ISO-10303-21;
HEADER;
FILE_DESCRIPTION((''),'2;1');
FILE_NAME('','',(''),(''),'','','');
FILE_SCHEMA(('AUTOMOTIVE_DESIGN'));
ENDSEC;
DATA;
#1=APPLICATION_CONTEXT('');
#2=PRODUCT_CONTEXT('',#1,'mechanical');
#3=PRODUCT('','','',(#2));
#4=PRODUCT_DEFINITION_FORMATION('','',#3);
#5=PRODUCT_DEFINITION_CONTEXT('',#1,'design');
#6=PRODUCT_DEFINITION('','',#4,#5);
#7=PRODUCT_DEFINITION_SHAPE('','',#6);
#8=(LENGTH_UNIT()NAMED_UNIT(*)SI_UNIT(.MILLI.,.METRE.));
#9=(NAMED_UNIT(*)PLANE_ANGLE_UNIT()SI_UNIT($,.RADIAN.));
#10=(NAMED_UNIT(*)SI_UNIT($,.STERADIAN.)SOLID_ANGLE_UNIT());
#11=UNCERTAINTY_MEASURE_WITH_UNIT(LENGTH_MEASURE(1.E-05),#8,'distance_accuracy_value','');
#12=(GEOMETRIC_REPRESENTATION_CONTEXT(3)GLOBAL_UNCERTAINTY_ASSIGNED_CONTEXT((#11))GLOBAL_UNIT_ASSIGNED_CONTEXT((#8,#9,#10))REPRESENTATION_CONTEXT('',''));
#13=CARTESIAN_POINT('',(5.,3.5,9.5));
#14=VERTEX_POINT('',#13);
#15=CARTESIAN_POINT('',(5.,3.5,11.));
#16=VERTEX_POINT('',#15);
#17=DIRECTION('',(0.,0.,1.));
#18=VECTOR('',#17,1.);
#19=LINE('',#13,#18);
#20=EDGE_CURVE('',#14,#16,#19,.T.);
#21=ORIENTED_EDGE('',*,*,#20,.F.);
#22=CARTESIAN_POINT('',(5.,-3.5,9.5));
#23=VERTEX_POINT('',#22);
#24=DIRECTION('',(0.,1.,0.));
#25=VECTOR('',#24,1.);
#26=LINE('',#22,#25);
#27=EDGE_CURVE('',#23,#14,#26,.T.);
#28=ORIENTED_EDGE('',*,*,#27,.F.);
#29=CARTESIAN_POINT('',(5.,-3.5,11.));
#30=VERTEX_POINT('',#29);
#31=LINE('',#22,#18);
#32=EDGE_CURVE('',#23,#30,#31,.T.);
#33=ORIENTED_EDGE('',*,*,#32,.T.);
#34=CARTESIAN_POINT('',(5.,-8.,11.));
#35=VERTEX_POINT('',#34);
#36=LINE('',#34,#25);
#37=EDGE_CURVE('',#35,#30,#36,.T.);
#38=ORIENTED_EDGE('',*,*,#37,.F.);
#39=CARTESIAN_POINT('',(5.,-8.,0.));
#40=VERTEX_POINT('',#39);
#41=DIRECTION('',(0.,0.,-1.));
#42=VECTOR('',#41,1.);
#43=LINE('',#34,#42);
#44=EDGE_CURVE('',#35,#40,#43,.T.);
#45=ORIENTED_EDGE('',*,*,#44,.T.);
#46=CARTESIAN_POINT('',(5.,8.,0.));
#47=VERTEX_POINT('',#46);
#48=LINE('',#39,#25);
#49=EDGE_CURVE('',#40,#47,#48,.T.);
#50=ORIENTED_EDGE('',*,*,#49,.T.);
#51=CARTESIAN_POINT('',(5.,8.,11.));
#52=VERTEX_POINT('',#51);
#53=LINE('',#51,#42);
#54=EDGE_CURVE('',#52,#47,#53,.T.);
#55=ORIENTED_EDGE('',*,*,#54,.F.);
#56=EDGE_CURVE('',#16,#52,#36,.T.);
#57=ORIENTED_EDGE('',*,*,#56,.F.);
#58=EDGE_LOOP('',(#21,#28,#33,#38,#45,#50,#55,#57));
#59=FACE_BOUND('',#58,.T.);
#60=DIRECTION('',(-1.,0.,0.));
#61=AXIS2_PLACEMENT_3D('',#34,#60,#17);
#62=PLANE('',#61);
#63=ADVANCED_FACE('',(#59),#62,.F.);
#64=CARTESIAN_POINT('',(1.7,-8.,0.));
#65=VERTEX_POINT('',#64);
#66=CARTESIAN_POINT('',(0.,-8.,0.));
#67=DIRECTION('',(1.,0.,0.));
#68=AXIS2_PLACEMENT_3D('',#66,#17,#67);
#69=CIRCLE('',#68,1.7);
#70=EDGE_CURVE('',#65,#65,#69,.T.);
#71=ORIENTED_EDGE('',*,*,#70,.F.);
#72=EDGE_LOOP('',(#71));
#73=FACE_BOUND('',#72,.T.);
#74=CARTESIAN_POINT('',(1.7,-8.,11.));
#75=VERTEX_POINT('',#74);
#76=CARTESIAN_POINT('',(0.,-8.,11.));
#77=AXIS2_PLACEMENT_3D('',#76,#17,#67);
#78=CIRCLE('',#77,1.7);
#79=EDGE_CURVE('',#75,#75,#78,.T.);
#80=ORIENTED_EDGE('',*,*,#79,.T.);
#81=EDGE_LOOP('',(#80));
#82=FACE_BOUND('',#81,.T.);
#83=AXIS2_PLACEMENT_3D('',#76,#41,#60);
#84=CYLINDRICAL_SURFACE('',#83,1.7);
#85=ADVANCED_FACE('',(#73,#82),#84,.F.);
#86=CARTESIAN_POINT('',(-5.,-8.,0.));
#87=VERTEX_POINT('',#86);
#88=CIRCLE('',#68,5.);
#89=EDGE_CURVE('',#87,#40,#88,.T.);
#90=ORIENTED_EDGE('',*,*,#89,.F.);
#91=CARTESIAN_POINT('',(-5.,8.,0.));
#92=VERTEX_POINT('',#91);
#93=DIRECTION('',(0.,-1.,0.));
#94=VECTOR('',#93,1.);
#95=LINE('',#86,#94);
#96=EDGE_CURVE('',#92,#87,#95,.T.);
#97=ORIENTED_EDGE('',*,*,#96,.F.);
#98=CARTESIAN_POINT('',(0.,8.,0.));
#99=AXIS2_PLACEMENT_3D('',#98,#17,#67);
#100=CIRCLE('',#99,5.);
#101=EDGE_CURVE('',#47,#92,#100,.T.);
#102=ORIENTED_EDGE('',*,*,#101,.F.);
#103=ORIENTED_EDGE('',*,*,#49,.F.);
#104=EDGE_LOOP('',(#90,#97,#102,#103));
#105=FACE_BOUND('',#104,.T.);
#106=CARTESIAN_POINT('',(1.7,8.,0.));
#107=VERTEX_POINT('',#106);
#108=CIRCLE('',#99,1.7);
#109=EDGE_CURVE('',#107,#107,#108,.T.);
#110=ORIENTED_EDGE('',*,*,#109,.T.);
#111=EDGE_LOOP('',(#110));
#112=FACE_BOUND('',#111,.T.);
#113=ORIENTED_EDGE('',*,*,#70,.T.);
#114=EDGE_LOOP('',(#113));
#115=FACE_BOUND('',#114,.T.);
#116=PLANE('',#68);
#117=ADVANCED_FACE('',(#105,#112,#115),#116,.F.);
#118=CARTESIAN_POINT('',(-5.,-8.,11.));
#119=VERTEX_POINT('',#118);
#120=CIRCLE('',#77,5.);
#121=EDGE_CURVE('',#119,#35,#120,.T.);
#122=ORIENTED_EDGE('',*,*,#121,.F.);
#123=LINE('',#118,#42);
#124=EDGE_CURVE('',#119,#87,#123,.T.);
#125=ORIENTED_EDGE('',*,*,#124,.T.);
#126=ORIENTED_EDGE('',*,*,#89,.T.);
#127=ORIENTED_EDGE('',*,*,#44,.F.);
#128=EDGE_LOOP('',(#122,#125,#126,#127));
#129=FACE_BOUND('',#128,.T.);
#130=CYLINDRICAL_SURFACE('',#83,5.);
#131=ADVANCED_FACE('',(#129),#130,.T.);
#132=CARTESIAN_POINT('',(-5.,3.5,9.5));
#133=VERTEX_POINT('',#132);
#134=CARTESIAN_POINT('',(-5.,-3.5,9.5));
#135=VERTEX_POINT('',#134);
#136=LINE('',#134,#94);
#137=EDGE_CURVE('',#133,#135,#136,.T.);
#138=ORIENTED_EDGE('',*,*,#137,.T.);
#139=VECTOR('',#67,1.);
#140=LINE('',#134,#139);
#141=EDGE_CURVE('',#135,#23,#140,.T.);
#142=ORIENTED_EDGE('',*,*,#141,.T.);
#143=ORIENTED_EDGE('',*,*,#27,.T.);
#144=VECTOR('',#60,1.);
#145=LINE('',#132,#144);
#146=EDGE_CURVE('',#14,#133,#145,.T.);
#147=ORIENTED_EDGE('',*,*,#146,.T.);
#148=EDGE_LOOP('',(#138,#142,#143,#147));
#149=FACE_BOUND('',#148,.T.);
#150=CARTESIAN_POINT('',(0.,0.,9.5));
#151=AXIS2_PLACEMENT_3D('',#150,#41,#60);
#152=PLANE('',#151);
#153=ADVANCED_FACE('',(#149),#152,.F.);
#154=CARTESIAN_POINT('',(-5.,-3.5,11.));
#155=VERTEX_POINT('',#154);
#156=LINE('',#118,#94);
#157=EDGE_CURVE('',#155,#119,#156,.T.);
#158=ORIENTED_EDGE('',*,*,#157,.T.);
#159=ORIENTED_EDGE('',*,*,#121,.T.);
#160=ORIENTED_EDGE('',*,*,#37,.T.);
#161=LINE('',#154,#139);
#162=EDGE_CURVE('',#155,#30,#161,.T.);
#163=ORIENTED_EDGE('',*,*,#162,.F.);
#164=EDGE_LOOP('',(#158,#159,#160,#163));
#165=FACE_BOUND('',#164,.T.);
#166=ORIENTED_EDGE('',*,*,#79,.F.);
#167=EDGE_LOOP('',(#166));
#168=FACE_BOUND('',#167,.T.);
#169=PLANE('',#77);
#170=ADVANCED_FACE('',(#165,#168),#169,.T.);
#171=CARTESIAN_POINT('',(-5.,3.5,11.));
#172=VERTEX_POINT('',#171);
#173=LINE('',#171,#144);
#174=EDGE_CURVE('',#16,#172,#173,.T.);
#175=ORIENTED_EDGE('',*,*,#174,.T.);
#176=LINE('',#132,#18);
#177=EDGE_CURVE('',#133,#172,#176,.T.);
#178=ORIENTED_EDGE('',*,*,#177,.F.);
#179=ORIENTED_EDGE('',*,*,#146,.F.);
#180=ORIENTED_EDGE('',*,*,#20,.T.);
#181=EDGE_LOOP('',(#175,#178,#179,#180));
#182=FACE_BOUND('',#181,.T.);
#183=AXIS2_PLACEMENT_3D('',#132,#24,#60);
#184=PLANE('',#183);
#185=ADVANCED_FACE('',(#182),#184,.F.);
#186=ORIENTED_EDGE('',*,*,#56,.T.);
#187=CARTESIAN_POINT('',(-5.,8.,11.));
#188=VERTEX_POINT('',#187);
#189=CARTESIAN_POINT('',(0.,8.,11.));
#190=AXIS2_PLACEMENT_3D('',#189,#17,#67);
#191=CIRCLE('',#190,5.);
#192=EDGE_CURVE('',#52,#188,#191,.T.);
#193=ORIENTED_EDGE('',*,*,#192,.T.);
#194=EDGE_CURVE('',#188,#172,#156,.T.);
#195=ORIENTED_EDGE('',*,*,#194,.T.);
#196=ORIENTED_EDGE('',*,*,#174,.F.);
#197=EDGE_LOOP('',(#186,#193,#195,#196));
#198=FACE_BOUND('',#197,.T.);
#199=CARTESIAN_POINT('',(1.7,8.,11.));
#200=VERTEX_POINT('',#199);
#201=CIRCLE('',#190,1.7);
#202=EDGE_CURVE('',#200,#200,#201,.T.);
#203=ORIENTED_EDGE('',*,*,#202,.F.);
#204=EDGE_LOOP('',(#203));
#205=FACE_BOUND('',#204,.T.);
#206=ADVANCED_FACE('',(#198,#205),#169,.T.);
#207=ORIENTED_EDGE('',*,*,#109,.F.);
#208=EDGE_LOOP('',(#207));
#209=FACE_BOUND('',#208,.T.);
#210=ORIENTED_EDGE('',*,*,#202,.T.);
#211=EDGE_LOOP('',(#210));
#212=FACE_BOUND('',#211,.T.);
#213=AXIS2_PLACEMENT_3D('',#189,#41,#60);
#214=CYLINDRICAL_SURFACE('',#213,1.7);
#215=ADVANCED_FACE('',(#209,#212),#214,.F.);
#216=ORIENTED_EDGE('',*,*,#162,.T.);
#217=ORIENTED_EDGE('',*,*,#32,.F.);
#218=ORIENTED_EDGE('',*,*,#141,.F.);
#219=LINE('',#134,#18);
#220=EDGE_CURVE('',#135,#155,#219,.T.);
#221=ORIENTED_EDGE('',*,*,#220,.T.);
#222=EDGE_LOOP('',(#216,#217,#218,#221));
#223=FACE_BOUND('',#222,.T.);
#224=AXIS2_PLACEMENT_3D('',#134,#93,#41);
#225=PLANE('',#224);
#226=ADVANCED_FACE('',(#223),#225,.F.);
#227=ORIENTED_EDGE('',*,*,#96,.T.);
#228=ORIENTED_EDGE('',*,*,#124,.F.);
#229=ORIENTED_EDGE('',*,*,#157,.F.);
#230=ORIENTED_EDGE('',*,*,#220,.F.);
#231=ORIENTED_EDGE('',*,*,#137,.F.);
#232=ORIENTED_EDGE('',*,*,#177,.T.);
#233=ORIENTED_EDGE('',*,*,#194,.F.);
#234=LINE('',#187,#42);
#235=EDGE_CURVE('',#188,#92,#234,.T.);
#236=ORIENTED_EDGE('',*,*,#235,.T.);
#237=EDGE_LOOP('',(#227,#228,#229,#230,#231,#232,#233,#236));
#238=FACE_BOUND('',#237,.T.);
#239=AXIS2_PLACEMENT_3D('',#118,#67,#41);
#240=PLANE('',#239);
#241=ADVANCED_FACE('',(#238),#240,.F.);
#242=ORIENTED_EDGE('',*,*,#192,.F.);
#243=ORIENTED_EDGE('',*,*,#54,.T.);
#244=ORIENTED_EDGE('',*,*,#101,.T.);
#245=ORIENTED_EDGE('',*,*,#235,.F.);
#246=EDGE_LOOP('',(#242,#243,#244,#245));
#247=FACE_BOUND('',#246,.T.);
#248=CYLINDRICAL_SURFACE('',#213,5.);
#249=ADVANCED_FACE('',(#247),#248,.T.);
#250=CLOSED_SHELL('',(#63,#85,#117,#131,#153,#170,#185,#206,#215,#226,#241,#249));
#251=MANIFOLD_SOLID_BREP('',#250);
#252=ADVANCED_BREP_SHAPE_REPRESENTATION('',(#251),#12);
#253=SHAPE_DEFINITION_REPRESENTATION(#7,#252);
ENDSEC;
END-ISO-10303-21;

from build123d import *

# Parameters (mm, degrees)
SKETCH1_R           = 1.7
BOSS_EXTRUDE1_DEPTH = 11
SKETCH2_W           = 10
SKETCH2_H           = 7
CUT_EXTRUDE1_DEPTH  = 1.5


with BuildPart() as part:
    # Sketch1 → Boss-Extrude1 (new body)
    with BuildSketch(Plane.XY):
        with BuildLine():
            Line((-5, -8), (-5, 8))
            ThreePointArc((-5, 8), (0, 13), (5, 8))
            Line((5, 8), (5, -8))
            ThreePointArc((5, -8), (0, -13), (-5, -8))
        make_face()
        with Locations((0, 8)):
            Circle(SKETCH1_R, mode=Mode.SUBTRACT)
        with Locations((0, -8)):
            Circle(SKETCH1_R, mode=Mode.SUBTRACT)
    extrude(amount=BOSS_EXTRUDE1_DEPTH)

    # Sketch2 → Cut-Extrude1 (cut)
    with BuildSketch(Plane.XY.offset(11)):
        Rectangle(SKETCH2_W, SKETCH2_H)
    extrude(amount=-CUT_EXTRUDE1_DEPTH, mode=Mode.SUBTRACT)


solid = part.part
